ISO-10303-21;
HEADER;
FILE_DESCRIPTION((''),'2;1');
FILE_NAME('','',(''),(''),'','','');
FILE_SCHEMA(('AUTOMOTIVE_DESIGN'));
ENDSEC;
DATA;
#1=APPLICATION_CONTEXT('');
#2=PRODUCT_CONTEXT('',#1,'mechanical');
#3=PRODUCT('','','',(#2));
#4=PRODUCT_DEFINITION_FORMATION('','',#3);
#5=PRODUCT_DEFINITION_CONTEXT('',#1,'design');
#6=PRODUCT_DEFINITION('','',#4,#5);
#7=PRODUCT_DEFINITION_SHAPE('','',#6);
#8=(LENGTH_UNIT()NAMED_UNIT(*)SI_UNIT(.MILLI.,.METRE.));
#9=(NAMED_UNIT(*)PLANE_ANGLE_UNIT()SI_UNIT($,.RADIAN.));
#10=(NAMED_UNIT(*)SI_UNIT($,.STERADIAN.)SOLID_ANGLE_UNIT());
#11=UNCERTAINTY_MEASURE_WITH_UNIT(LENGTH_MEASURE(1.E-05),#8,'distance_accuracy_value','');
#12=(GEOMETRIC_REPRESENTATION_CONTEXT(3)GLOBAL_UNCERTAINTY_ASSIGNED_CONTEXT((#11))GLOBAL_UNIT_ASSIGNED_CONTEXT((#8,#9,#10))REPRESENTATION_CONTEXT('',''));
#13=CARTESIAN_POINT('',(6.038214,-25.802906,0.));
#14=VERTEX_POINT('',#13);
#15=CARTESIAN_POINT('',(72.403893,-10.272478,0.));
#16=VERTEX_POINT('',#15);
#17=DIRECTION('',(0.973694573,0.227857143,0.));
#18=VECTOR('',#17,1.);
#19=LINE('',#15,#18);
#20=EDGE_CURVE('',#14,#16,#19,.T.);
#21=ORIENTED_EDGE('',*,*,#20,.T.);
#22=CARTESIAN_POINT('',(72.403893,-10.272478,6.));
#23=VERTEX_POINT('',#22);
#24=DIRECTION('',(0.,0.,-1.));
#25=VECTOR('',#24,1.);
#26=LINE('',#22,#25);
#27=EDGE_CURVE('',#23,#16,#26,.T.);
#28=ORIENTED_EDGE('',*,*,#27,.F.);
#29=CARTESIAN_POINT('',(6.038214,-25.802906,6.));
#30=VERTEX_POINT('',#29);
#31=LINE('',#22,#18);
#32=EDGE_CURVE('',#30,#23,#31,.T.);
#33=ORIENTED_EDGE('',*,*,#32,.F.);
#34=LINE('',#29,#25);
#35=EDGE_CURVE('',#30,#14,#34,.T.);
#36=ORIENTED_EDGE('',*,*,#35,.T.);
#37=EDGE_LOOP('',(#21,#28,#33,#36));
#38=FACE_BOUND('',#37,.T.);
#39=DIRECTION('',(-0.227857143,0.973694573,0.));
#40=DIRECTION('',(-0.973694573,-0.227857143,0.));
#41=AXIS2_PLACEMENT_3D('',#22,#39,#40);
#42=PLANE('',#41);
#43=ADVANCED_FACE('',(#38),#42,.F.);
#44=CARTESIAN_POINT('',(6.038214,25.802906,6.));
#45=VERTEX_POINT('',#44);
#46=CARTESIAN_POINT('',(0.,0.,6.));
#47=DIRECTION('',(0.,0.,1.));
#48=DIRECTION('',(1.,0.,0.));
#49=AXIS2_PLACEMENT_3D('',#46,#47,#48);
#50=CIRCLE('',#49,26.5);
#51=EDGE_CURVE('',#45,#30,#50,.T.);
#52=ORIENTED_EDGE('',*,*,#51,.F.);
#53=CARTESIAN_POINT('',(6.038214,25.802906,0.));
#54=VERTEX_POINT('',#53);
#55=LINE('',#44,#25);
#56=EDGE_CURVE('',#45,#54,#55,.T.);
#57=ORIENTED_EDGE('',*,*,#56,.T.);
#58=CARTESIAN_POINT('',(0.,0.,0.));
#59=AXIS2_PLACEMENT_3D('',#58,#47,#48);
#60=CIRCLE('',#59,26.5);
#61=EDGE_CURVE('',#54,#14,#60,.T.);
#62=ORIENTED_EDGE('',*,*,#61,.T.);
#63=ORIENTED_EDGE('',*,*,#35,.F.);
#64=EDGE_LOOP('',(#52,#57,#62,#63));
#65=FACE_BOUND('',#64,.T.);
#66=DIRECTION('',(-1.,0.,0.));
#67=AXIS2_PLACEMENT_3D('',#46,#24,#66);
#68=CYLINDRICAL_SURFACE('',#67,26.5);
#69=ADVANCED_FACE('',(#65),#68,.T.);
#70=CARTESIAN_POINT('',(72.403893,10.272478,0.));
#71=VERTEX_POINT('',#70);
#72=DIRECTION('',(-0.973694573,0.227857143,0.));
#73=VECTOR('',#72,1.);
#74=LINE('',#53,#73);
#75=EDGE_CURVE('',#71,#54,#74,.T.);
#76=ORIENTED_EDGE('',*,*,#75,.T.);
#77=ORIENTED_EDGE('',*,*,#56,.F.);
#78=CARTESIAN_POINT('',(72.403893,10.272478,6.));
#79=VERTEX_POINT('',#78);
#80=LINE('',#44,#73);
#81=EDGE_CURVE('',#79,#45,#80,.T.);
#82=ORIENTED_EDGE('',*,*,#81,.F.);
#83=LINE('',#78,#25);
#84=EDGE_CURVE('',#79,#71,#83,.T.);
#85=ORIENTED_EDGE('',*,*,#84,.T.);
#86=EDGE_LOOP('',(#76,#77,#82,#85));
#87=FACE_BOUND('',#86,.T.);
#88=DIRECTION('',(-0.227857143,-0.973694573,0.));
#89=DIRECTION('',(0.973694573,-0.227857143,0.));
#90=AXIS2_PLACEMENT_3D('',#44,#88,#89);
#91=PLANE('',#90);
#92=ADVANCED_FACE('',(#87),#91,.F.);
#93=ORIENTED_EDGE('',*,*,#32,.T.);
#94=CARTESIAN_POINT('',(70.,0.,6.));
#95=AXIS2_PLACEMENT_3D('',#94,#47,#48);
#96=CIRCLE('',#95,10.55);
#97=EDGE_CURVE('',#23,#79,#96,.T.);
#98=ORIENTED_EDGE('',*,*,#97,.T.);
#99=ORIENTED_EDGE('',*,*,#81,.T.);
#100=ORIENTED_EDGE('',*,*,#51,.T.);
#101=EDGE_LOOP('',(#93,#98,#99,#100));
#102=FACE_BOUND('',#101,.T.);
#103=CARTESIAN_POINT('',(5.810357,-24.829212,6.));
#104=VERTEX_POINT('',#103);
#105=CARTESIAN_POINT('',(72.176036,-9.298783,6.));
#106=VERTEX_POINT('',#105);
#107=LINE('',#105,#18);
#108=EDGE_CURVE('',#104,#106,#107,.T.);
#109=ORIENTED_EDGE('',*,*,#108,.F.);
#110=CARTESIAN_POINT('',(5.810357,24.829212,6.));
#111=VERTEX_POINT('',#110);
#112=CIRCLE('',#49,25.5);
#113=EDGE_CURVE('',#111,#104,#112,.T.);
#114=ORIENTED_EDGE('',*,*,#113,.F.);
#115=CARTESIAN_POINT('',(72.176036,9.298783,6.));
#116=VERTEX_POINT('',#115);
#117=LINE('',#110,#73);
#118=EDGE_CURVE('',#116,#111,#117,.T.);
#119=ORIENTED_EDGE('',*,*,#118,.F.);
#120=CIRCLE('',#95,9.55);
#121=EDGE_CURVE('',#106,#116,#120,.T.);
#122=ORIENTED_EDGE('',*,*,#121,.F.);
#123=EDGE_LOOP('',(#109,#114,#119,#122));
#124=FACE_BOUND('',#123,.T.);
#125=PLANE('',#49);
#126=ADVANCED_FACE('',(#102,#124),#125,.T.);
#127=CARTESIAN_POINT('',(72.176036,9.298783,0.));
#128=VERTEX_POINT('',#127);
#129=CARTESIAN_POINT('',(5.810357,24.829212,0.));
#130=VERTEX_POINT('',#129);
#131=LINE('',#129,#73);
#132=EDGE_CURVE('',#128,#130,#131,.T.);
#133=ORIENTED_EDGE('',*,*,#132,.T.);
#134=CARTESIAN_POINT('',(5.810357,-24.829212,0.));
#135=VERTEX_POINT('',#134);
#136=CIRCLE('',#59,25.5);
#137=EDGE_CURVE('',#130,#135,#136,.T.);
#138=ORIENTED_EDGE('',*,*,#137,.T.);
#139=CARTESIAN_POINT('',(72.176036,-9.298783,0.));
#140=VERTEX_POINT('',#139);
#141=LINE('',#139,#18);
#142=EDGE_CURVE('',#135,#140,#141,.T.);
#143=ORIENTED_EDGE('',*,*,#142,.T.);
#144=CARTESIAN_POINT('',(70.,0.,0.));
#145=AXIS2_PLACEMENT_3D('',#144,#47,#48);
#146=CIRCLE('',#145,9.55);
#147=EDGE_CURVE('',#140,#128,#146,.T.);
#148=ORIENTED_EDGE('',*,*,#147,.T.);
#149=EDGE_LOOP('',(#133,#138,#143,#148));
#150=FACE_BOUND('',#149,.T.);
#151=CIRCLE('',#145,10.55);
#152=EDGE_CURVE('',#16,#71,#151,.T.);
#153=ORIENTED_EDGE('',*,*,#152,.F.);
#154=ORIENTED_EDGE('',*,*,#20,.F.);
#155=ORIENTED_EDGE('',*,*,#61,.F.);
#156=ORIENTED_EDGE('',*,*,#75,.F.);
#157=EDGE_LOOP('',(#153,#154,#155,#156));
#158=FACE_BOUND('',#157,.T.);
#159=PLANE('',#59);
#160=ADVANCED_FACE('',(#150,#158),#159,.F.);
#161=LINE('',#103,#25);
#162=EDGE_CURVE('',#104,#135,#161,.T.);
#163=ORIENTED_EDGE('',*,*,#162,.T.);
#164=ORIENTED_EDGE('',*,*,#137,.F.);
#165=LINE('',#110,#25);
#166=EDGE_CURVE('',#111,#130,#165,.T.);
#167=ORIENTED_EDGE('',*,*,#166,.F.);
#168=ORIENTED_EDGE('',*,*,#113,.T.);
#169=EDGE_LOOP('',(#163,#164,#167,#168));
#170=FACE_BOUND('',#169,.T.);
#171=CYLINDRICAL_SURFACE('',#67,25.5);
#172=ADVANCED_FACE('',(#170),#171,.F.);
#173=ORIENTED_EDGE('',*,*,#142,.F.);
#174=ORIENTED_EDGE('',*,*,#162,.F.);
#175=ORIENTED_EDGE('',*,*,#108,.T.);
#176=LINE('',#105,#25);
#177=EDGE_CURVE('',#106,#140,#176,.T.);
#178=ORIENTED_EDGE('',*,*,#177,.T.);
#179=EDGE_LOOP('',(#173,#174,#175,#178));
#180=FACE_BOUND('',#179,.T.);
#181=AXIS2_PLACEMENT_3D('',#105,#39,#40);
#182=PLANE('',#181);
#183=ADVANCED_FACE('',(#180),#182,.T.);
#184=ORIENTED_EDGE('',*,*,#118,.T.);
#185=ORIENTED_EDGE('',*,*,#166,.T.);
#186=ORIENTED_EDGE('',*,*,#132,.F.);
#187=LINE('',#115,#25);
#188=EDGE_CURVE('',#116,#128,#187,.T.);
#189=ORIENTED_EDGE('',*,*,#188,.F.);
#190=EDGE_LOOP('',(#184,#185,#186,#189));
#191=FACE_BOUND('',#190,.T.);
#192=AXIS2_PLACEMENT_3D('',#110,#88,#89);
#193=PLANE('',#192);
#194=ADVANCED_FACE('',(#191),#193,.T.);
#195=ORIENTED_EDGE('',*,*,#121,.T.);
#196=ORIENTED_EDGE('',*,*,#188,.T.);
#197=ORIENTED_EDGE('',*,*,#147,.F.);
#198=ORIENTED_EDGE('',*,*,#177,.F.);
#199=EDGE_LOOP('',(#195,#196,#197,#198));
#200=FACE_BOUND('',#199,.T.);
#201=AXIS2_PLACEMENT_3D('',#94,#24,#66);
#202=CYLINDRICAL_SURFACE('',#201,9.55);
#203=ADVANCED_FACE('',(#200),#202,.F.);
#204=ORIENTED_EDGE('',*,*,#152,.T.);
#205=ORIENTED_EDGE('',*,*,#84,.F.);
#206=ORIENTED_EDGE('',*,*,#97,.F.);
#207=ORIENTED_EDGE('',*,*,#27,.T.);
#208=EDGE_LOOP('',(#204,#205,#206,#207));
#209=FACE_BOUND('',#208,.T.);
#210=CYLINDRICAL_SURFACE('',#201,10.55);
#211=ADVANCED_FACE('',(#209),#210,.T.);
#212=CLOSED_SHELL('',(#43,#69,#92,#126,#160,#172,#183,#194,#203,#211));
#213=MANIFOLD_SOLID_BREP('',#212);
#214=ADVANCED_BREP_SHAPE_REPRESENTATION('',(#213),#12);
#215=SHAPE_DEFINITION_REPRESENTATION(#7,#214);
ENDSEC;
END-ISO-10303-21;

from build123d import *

# Parameters (mm, degrees)
BOSS_EXTRUDE1_DEPTH = 6


with BuildPart() as part:
    # Sketch1 → Boss-Extrude1 (new body)
    with BuildSketch(Plane.XY):
        with BuildLine():
            Line((6.038214286, 25.802906198), (72.403892857, 10.27247775))
            ThreePointArc((72.403892857, 10.27247775), (80.55, 0), (72.403892857, -10.27247775))
            Line((72.403892857, -10.27247775), (6.038214286, -25.802906198))
            ThreePointArc((6.038214286, -25.802906198), (-26.5, 0), (6.038214286, 25.802906198))
        make_face()
        with BuildLine():
            Line((5.810357143, 24.829211624), (72.176035714, 9.298783177))
            ThreePointArc((72.176035714, 9.298783177), (79.55, 0), (72.176035714, -9.298783177))
            Line((72.176035714, -9.298783177), (5.810357143, -24.829211624))
            ThreePointArc((5.810357143, -24.829211624), (-25.5, 0), (5.810357143, 24.829211624))
        make_face(mode=Mode.SUBTRACT)
    extrude(amount=BOSS_EXTRUDE1_DEPTH)


solid = part.part
